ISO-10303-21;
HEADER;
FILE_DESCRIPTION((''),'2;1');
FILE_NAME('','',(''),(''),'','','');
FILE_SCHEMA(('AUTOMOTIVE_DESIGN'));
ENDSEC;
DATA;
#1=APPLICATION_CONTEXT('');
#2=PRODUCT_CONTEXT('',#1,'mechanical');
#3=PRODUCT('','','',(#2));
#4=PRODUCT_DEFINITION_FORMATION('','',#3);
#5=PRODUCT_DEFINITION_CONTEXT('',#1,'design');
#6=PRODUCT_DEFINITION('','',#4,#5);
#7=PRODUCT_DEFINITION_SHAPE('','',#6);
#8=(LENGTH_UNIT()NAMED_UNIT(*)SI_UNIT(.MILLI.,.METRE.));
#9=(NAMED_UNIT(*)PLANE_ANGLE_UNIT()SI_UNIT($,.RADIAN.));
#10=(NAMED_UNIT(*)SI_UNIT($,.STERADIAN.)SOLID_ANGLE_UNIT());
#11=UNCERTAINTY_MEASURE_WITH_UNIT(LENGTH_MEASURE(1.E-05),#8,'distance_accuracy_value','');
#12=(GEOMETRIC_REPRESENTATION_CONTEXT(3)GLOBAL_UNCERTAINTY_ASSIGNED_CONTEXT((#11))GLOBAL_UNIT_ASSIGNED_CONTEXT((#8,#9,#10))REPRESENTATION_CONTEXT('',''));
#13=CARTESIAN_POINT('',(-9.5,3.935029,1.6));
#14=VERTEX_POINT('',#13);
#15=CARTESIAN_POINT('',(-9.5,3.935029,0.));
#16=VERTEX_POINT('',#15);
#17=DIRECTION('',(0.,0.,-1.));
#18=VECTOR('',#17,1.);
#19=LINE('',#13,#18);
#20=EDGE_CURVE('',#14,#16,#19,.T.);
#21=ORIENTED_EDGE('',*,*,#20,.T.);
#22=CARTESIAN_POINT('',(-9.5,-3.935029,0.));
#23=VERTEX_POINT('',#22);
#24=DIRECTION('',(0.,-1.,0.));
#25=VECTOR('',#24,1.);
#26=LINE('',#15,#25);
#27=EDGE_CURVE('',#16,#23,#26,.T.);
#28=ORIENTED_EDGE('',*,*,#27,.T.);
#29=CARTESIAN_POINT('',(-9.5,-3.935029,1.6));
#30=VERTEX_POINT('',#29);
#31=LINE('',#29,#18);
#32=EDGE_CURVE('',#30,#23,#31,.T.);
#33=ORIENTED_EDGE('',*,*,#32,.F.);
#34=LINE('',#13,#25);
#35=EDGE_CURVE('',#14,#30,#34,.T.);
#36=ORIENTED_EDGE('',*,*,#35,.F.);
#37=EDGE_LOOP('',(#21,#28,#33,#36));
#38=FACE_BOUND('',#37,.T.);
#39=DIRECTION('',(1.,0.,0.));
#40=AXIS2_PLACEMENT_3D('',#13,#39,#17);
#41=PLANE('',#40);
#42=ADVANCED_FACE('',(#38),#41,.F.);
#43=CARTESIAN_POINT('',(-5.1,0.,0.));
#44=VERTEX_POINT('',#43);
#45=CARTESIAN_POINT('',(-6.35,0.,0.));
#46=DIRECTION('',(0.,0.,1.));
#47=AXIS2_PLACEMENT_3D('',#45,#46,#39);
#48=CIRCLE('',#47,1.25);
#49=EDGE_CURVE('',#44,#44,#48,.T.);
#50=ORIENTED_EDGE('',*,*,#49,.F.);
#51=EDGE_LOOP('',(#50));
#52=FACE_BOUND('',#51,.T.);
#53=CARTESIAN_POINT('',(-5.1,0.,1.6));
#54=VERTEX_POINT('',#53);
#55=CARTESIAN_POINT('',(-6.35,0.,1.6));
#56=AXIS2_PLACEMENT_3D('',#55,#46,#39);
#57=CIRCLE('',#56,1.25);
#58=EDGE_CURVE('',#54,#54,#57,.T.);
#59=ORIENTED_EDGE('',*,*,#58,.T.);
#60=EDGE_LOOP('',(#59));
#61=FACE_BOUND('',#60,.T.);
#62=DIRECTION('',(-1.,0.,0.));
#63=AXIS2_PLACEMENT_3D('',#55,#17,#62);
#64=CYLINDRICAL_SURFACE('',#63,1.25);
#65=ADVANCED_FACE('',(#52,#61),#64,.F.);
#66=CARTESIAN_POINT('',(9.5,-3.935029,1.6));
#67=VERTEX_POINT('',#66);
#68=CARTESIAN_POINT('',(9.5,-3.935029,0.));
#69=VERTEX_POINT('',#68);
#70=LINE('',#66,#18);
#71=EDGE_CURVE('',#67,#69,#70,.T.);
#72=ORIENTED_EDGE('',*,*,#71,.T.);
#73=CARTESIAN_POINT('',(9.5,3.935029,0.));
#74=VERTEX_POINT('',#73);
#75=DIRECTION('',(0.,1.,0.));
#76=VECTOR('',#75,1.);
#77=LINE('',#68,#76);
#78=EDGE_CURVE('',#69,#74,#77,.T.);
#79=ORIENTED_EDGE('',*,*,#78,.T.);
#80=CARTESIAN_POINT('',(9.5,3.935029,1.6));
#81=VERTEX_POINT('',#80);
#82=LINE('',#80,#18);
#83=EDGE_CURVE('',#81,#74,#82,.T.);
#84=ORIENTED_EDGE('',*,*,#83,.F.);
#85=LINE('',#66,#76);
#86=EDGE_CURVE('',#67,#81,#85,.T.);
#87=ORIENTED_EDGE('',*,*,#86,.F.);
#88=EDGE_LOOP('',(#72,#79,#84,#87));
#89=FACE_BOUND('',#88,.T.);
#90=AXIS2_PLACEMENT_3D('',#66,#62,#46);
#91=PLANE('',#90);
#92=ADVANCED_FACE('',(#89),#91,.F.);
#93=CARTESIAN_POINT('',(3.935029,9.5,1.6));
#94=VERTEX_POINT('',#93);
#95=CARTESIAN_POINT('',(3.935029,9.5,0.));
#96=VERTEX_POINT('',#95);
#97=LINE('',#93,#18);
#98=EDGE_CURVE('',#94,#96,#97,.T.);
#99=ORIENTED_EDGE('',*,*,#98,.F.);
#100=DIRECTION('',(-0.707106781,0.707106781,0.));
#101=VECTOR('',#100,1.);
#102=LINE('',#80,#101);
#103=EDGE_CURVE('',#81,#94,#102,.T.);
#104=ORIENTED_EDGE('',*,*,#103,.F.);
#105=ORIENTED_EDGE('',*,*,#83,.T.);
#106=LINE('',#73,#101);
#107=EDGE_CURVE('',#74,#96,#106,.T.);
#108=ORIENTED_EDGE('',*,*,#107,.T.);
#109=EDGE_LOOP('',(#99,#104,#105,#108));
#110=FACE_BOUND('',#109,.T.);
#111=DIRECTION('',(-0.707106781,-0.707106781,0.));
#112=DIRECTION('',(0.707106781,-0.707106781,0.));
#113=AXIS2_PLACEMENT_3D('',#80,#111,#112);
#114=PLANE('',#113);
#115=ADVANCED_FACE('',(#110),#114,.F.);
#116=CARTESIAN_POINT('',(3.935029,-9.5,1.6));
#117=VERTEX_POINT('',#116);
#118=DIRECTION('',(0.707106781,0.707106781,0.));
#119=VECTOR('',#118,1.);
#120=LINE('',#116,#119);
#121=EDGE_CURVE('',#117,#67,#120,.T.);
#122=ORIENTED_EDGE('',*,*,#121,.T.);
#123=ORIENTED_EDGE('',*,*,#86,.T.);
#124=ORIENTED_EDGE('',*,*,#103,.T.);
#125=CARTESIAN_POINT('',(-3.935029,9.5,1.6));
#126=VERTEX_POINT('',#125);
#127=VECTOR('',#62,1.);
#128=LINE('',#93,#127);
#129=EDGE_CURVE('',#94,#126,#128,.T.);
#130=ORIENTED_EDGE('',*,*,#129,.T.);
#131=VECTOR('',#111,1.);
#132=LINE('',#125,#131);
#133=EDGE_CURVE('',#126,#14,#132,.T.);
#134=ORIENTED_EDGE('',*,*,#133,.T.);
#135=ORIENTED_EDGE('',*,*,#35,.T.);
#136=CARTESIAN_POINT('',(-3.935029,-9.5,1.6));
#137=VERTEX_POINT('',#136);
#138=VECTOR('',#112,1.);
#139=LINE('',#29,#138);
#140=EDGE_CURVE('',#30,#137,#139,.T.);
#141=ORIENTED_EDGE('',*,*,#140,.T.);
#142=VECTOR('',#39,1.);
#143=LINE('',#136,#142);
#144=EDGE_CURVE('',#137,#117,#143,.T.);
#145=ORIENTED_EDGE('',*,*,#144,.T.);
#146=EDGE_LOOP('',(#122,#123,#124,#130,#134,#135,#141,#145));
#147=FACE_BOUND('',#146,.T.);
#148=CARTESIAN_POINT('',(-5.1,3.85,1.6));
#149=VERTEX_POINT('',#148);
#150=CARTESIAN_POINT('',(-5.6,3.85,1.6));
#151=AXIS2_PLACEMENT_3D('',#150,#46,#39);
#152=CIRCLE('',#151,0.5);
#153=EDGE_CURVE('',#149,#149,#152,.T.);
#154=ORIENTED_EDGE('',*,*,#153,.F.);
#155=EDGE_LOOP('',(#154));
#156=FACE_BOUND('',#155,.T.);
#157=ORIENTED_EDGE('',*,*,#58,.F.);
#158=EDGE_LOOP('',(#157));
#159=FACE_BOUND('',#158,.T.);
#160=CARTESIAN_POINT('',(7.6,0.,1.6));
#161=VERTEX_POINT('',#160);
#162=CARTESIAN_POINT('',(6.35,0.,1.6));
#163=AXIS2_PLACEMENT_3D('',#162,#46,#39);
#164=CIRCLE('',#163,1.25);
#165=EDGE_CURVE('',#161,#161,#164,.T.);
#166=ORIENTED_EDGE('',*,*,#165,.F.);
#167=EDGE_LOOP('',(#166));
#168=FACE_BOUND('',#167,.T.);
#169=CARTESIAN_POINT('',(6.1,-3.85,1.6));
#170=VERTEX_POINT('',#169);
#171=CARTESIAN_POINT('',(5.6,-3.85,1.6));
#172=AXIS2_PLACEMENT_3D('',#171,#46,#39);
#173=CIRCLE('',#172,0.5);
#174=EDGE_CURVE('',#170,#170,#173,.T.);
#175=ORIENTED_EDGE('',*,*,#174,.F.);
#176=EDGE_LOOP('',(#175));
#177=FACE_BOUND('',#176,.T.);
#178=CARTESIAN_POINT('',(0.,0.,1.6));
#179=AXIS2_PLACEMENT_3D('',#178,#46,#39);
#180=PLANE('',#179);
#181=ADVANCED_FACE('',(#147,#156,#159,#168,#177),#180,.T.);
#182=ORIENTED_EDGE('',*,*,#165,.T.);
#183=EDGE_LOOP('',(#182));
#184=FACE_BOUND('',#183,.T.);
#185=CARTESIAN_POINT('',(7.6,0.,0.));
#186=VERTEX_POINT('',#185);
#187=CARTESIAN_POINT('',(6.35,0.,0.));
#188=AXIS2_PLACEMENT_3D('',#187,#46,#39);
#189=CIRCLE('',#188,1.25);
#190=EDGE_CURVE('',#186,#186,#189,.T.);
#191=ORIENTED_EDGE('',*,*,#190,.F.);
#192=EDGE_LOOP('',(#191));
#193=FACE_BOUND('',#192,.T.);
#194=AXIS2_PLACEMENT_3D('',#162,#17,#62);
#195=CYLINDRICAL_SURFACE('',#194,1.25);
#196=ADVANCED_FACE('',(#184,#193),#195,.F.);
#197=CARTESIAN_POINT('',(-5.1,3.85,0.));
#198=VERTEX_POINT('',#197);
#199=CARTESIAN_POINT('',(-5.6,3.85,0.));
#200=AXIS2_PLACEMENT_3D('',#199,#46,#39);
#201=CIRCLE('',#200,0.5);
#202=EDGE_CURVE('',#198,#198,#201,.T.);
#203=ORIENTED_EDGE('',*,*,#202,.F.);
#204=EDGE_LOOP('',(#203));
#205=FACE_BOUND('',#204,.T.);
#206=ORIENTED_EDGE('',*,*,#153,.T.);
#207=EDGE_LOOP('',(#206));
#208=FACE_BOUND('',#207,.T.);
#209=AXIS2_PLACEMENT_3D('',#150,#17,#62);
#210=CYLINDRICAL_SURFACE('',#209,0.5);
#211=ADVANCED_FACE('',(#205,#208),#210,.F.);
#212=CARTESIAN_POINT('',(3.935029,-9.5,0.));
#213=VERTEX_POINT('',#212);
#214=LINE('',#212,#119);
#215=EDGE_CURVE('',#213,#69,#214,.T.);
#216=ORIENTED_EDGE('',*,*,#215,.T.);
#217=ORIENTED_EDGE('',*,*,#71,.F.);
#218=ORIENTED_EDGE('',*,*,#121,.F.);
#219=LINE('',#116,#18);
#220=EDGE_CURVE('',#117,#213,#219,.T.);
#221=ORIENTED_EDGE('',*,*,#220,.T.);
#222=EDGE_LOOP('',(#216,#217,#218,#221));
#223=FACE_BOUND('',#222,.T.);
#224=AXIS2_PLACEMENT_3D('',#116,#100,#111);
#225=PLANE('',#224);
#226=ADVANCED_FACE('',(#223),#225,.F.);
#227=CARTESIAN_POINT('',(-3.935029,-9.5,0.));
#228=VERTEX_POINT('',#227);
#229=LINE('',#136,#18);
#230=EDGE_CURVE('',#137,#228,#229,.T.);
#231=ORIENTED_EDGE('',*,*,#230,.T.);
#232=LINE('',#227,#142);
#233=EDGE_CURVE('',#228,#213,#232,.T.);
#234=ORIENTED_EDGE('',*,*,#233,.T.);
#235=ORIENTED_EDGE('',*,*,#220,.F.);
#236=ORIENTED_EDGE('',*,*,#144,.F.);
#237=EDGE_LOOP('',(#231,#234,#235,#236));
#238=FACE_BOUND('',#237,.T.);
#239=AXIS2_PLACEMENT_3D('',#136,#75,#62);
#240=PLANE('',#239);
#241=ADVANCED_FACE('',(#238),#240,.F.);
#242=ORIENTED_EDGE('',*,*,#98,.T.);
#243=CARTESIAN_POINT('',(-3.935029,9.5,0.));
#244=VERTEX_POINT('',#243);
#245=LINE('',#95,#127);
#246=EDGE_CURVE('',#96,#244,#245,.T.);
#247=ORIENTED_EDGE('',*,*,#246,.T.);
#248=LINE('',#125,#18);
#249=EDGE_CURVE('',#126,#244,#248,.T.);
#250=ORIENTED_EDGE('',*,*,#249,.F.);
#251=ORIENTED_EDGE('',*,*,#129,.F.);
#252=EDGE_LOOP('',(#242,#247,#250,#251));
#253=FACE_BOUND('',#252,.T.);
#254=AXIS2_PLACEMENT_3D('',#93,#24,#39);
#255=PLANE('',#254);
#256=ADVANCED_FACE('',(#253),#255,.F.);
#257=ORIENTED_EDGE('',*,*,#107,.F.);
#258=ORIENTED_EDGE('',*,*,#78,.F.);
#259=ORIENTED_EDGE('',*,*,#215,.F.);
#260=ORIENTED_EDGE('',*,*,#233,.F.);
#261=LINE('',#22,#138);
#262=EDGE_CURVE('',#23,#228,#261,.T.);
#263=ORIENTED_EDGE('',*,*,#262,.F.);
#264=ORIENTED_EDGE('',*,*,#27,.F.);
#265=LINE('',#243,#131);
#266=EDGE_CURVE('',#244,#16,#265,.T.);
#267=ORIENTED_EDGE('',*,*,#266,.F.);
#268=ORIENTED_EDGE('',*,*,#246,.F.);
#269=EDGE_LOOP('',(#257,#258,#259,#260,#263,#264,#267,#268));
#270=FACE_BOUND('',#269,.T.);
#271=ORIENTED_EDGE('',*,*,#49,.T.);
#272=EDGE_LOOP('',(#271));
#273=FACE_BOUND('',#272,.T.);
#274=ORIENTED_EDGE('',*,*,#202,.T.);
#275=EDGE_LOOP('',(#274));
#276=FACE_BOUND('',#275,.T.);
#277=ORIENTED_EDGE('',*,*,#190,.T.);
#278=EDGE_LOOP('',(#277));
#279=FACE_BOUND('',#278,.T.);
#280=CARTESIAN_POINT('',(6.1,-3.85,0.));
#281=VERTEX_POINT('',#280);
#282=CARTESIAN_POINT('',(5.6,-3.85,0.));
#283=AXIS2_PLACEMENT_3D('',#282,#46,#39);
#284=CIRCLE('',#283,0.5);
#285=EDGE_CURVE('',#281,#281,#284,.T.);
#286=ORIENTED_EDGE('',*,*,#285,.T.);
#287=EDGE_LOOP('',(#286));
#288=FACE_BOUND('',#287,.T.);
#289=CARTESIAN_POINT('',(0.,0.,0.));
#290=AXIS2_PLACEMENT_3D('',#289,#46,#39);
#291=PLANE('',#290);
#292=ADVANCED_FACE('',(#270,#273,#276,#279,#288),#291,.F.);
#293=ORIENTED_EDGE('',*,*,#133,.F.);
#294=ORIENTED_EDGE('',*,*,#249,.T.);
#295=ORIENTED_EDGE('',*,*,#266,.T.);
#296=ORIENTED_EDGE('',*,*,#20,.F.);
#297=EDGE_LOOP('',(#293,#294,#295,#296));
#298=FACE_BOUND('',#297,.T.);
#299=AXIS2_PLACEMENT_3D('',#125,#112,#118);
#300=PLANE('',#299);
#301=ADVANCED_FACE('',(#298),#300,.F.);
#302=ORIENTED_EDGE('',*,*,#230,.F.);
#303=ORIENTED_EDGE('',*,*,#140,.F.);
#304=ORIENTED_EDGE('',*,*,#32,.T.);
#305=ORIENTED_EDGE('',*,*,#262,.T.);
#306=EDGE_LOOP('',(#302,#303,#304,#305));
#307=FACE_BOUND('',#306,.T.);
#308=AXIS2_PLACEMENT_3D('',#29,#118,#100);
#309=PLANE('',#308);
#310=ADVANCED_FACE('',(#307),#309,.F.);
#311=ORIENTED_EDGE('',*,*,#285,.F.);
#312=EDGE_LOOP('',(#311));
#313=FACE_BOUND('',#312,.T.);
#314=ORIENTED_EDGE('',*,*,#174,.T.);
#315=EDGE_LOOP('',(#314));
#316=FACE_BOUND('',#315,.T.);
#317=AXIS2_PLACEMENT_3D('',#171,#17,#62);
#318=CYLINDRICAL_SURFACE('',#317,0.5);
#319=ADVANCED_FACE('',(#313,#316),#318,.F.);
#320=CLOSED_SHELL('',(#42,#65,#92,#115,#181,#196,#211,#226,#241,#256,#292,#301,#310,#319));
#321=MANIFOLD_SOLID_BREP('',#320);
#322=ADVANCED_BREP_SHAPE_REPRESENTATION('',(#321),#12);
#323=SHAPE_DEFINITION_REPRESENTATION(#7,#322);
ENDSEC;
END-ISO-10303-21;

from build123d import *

# Parameters (mm, degrees)
SKETCH1_R           = 1.25
SKETCH1_R_2         = 0.5
BOSS_EXTRUDE1_DEPTH = 1.6


with BuildPart() as part:
    # Sketch1 → Boss-Extrude1 (new body)
    with BuildSketch(Plane.XY):
        Polygon((9.5, 3.935028843), (3.935028843, 9.5), (-3.935028843, 9.5), (-9.5, 3.935028843), (-9.5, -3.935028843), (-3.935028843, -9.5), (3.935028843, -9.5), (9.5, -3.935028843), align=None)
        with Locations((6.35, 0)):
            Circle(SKETCH1_R, mode=Mode.SUBTRACT)
        with Locations((5.6, -3.85)):
            Circle(SKETCH1_R_2, mode=Mode.SUBTRACT)
        with Locations((-6.35, 0)):
            Circle(SKETCH1_R, mode=Mode.SUBTRACT)
        with Locations((-5.6, 3.85)):
            Circle(SKETCH1_R_2, mode=Mode.SUBTRACT)
    extrude(amount=BOSS_EXTRUDE1_DEPTH)


solid = part.part
